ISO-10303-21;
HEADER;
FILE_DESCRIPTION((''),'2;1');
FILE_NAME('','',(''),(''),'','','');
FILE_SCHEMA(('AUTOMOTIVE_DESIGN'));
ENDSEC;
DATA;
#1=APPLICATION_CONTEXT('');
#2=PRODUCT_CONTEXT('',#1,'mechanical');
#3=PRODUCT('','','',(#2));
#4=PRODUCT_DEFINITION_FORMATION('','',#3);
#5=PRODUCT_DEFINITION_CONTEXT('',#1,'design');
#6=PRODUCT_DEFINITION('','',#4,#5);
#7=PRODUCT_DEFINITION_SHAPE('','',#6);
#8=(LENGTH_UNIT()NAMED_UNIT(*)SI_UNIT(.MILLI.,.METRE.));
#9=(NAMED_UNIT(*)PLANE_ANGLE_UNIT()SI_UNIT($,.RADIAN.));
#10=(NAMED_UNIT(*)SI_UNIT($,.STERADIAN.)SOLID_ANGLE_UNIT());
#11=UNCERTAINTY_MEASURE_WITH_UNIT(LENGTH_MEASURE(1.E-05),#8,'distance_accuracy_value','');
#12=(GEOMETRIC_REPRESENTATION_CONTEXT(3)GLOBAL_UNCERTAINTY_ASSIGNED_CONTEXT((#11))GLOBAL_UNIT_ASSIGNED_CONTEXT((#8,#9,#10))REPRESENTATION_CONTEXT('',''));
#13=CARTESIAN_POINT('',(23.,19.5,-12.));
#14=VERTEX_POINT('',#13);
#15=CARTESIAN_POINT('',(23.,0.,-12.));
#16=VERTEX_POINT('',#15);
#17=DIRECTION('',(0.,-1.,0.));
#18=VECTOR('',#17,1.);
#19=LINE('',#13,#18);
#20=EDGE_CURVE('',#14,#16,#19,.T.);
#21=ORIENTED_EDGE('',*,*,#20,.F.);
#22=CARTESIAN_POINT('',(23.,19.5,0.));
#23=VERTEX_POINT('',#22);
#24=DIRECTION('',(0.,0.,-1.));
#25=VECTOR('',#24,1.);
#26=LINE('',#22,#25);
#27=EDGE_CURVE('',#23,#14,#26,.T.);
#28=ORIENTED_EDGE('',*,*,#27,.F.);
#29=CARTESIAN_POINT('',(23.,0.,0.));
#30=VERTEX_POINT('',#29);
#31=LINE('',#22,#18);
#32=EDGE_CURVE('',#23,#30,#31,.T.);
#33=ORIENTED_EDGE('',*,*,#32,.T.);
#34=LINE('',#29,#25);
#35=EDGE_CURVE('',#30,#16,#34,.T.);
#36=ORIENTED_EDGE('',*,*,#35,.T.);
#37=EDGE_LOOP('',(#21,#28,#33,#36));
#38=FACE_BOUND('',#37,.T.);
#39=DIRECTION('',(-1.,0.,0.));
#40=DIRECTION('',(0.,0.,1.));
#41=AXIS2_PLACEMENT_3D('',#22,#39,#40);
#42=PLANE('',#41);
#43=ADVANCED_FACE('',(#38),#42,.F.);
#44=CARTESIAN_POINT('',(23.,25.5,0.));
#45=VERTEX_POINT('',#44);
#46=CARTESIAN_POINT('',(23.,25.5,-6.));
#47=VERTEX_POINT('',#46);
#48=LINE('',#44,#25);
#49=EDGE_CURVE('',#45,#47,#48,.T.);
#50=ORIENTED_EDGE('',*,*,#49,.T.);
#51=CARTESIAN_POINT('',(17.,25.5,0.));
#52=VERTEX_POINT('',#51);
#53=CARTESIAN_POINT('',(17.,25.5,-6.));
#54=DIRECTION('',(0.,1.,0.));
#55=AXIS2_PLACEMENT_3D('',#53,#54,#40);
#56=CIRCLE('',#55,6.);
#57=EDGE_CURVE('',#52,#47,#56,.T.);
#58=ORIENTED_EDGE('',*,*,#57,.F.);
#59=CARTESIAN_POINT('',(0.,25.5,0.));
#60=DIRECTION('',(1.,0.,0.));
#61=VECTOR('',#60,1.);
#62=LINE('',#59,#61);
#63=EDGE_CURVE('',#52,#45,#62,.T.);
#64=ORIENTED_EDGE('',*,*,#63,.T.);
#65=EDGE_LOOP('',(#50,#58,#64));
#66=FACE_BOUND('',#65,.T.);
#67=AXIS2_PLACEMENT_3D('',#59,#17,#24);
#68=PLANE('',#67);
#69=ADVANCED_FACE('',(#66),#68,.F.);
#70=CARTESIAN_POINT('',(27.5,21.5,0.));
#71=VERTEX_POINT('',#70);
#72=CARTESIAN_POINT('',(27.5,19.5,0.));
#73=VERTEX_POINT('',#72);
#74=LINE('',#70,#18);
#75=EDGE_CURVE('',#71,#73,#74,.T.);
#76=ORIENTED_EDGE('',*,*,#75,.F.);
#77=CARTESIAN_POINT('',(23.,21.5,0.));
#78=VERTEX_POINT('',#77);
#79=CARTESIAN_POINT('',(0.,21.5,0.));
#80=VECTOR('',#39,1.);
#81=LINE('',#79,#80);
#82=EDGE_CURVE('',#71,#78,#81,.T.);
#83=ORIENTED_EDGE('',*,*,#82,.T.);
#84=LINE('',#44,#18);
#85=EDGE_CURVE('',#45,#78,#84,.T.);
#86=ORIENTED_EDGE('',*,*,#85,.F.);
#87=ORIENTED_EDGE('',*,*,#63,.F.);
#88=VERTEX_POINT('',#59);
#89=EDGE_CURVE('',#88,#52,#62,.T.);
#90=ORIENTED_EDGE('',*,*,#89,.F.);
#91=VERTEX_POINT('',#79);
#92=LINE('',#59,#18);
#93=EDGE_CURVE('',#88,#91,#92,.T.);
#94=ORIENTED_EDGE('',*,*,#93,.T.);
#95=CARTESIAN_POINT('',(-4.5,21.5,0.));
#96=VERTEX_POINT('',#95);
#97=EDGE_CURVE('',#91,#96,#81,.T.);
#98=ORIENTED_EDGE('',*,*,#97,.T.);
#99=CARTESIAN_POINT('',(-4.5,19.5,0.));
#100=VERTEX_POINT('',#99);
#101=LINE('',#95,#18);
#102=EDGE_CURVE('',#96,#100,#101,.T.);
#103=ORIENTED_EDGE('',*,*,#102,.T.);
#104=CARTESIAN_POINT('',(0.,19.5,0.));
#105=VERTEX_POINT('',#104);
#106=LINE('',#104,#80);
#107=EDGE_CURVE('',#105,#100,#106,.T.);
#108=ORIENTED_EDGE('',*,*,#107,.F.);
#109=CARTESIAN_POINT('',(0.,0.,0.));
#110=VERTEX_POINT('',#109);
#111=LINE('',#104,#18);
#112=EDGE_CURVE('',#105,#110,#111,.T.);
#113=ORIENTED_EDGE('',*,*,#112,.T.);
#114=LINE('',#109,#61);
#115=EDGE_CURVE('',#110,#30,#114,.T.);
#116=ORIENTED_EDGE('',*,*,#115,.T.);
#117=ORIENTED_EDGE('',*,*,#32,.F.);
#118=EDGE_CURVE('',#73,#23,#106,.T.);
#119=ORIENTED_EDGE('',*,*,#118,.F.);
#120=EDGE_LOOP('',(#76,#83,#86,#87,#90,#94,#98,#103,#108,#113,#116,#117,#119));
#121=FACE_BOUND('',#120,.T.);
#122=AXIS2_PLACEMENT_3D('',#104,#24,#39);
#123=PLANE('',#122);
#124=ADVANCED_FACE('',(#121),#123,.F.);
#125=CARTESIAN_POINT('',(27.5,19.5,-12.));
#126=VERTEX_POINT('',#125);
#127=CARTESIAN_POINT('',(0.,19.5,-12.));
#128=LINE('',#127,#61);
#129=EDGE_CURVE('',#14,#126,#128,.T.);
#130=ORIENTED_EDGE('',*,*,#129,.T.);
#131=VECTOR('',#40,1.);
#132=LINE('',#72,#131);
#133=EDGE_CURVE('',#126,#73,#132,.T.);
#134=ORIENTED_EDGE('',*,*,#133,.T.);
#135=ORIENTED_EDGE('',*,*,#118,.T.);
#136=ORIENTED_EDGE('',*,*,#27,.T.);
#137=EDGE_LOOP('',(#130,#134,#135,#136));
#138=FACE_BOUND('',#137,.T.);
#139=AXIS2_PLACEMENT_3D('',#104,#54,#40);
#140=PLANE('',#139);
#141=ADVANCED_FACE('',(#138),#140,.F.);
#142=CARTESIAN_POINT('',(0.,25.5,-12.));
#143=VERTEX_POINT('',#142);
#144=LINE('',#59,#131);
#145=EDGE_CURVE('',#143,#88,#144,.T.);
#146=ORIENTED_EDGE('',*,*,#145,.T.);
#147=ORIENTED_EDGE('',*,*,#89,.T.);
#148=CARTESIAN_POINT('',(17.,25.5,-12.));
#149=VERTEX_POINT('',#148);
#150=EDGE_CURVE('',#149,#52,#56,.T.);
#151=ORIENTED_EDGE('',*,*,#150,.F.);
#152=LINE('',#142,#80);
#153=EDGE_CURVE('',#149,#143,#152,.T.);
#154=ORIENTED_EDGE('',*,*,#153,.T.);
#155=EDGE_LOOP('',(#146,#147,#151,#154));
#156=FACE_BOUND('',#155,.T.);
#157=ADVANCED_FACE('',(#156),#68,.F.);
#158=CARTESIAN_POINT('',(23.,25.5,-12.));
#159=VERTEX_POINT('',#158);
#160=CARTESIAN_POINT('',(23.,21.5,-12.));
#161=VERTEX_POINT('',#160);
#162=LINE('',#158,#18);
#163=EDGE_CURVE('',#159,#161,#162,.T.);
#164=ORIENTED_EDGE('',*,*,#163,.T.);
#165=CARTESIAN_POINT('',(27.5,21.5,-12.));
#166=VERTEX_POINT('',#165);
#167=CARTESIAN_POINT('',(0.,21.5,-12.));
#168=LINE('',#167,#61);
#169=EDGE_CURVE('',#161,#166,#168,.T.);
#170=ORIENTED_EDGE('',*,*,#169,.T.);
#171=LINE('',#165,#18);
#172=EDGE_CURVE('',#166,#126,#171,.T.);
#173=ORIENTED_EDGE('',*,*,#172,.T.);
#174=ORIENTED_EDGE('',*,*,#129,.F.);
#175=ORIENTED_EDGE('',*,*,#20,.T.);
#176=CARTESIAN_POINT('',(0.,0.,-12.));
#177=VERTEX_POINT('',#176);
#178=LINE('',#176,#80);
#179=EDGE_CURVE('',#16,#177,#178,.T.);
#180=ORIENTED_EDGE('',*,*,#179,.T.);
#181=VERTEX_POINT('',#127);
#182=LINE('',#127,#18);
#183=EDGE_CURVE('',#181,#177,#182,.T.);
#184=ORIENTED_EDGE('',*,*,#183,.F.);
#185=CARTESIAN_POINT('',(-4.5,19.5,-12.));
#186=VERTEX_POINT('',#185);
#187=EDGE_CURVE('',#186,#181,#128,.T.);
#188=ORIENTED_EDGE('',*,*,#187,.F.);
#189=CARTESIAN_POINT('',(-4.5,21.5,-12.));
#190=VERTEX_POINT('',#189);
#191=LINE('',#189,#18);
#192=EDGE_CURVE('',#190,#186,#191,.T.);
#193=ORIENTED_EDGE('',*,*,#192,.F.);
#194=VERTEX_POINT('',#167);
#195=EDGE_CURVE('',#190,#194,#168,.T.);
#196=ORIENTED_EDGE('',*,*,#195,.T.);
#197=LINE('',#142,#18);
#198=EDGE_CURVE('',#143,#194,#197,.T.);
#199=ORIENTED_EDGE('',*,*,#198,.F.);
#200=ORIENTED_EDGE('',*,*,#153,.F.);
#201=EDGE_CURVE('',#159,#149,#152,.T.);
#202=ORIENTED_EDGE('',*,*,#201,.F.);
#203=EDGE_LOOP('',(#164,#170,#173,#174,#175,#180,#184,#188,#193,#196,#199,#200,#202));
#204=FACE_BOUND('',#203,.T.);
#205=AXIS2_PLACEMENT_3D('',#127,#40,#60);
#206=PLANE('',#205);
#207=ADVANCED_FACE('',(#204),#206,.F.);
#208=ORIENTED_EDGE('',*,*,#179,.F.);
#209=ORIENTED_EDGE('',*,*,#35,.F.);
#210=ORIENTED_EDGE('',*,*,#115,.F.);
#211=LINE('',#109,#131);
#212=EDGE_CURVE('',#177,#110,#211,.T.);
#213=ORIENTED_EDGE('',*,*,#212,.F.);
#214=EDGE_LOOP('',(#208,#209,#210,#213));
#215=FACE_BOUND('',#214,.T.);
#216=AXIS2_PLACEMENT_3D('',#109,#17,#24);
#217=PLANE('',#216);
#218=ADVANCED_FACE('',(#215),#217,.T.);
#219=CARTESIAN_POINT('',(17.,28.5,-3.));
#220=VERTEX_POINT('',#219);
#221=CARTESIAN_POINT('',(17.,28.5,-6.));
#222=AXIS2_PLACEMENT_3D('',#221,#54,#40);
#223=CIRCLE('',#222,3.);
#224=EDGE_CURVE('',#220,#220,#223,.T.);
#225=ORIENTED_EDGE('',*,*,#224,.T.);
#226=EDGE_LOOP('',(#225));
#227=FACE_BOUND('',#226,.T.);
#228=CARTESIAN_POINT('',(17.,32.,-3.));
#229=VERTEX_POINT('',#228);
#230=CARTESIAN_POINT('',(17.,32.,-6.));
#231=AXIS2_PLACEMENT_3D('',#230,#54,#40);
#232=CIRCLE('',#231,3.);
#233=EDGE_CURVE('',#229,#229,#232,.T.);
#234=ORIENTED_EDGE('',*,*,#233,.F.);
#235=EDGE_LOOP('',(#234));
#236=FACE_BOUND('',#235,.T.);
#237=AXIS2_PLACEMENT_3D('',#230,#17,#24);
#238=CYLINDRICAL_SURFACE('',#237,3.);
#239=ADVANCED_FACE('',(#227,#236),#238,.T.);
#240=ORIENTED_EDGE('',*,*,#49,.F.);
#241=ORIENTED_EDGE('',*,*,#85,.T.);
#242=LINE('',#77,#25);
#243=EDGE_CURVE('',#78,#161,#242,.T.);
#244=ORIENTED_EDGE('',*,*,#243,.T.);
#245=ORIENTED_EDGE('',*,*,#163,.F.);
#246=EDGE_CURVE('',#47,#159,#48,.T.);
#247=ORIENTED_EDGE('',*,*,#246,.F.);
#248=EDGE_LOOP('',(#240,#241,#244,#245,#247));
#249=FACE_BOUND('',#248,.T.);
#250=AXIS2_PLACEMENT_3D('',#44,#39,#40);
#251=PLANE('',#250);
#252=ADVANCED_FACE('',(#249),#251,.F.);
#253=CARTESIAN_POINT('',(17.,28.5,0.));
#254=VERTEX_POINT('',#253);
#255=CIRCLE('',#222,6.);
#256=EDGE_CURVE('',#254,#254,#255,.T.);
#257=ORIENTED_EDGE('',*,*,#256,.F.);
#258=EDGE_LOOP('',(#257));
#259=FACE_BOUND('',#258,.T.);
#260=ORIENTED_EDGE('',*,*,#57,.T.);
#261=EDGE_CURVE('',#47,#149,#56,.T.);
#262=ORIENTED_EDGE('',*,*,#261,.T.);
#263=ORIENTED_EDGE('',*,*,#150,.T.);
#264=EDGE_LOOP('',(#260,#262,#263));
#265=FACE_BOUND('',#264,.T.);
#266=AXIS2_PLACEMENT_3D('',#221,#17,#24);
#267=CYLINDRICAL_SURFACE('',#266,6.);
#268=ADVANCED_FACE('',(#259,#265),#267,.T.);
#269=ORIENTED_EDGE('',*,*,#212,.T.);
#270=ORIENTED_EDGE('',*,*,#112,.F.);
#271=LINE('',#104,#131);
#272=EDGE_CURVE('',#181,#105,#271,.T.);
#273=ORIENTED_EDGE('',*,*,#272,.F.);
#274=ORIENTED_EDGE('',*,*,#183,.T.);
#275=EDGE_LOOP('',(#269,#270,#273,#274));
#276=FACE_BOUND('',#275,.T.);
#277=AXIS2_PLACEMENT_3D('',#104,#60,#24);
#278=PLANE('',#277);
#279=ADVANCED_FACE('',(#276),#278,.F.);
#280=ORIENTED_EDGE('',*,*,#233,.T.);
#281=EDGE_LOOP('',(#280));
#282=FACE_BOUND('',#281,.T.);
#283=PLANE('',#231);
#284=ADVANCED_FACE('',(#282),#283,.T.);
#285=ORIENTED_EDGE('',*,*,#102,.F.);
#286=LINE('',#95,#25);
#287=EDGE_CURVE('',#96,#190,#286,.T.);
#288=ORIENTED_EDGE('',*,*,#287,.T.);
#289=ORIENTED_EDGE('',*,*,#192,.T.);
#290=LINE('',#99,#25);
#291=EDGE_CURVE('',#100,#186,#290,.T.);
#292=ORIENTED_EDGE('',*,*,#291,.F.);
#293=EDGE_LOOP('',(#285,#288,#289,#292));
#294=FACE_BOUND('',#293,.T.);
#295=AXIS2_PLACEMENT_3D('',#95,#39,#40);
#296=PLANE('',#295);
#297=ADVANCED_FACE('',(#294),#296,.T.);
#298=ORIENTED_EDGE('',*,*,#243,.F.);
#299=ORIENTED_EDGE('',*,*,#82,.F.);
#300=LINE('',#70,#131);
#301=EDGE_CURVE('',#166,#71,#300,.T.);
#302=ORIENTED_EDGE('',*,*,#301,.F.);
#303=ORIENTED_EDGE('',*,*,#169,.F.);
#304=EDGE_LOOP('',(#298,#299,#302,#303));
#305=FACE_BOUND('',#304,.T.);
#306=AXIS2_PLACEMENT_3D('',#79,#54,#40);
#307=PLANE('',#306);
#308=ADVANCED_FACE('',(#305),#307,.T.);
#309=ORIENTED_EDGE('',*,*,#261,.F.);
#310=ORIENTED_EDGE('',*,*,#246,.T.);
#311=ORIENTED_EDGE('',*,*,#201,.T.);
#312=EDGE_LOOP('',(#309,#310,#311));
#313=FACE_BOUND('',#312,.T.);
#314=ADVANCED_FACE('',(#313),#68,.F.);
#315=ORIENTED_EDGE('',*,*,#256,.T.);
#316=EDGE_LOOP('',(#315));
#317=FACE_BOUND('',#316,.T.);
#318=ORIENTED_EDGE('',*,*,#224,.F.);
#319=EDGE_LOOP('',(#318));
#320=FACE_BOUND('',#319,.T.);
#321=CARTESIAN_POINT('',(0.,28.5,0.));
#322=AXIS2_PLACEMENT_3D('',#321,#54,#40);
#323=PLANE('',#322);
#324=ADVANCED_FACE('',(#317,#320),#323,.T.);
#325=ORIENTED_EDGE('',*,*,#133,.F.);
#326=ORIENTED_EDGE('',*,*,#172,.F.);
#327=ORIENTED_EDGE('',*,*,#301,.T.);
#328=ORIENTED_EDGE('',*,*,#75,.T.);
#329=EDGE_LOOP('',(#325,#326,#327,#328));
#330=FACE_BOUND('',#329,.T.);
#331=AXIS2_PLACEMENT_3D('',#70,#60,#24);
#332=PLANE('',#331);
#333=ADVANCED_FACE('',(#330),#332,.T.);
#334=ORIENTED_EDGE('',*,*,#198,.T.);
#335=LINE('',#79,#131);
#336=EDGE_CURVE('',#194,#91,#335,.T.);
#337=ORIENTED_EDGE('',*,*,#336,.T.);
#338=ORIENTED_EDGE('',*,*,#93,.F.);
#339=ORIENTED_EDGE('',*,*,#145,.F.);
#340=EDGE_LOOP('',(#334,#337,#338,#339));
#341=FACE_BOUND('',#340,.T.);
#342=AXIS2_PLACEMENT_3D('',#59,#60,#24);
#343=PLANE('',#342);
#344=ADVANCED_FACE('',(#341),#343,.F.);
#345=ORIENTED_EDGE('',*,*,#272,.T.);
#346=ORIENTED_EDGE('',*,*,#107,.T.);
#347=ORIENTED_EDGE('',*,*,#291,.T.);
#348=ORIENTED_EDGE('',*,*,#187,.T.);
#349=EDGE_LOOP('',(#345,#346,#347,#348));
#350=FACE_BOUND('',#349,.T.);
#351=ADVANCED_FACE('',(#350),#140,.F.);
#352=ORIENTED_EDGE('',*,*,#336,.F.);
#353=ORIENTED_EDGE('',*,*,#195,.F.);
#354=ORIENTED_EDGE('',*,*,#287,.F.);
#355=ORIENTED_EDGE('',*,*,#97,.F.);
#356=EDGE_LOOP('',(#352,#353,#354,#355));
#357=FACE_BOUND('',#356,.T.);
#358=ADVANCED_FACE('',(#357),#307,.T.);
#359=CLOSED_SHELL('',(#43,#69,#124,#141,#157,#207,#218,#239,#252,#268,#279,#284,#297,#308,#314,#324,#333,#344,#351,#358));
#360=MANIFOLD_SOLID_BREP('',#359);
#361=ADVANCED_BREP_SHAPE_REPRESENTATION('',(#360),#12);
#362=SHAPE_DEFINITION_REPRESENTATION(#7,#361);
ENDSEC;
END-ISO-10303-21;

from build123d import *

# Parameters (mm, degrees)
SKETCH1_W           = 23
SKETCH1_H           = 12
BOSS_EXTRUDE1_DEPTH = 19.5
SKETCH2_W           = 4.5
SKETCH2_H           = 12
SKETCH2_W_2         = 23
BOSS_EXTRUDE2_DEPTH = 2
SKETCH3_W           = 23
SKETCH3_H           = 12
BOSS_EXTRUDE3_DEPTH = 4
BOSS_EXTRUDE4_DEPTH = 3
SKETCH5_R           = 3
BOSS_EXTRUDE5_DEPTH = 3.5


with BuildPart() as part:
    # Sketch1 → Boss-Extrude1 (new body)
    with BuildSketch(Plane(origin=(0, 0, 0), x_dir=(1, 0, 0), z_dir=(0, 1, 0))):
        with Locations((11.5, 6)):
            Rectangle(SKETCH1_W, SKETCH1_H)
    extrude(amount=BOSS_EXTRUDE1_DEPTH)

    # Sketch2 → Boss-Extrude2 (add)
    with BuildSketch(Plane(origin=(0, 19.5, 0), x_dir=(1, 0, 0), z_dir=(0, 1, 0))):
        with Locations((-2.25, 6)):
            Rectangle(SKETCH2_W, SKETCH2_H)
        with Locations((25.25, 6)):
            Rectangle(SKETCH2_W, SKETCH2_H)
        with Locations((11.5, 6)):
            Rectangle(SKETCH2_W_2, SKETCH2_H)
    extrude(amount=BOSS_EXTRUDE2_DEPTH)

    # Sketch3 → Boss-Extrude3 (add)
    with BuildSketch(Plane(origin=(0, 21.5, 0), x_dir=(1, 0, 0), z_dir=(0, 1, 0))):
        with Locations((11.5, 6)):
            Rectangle(SKETCH3_W, SKETCH3_H)
    extrude(amount=BOSS_EXTRUDE3_DEPTH)

    # Sketch4 → Boss-Extrude4 (add)
    with BuildSketch(Plane(origin=(0, 25.5, 0), x_dir=(1, 0, 0), z_dir=(0, 1, 0))):
        with BuildLine():
            ThreePointArc((12.757359313, 1.757359313), (14.703899406, 0.456722805), (17, 0))
            ThreePointArc((17, 0), (21.242640687, 1.757359313), (23, 6))
            ThreePointArc((23, 6), (22.543277195, 8.296100594), (21.242640687, 10.242640687))
            Line((21.242640687, 10.242640687), (12.757359313, 1.757359313))
        make_face()
        with BuildLine():
            ThreePointArc((11, 6), (11.456722805, 3.703899406), (12.757359313, 1.757359313))
            Line((12.757359313, 1.757359313), (21.242640687, 10.242640687))
            ThreePointArc((21.242640687, 10.242640687), (19.296100594, 11.543277195), (17, 12))
            ThreePointArc((17, 12), (12.757359313, 10.242640687), (11, 6))
        make_face()
    extrude(amount=BOSS_EXTRUDE4_DEPTH)

    # Sketch5 → Boss-Extrude5 (add)
    with BuildSketch(Plane(origin=(0, 28.5, 0), x_dir=(1, 0, 0), z_dir=(0, 1, 0))):
        with Locations((17, 6)):
            Circle(SKETCH5_R)
    extrude(amount=BOSS_EXTRUDE5_DEPTH)


solid = part.part
